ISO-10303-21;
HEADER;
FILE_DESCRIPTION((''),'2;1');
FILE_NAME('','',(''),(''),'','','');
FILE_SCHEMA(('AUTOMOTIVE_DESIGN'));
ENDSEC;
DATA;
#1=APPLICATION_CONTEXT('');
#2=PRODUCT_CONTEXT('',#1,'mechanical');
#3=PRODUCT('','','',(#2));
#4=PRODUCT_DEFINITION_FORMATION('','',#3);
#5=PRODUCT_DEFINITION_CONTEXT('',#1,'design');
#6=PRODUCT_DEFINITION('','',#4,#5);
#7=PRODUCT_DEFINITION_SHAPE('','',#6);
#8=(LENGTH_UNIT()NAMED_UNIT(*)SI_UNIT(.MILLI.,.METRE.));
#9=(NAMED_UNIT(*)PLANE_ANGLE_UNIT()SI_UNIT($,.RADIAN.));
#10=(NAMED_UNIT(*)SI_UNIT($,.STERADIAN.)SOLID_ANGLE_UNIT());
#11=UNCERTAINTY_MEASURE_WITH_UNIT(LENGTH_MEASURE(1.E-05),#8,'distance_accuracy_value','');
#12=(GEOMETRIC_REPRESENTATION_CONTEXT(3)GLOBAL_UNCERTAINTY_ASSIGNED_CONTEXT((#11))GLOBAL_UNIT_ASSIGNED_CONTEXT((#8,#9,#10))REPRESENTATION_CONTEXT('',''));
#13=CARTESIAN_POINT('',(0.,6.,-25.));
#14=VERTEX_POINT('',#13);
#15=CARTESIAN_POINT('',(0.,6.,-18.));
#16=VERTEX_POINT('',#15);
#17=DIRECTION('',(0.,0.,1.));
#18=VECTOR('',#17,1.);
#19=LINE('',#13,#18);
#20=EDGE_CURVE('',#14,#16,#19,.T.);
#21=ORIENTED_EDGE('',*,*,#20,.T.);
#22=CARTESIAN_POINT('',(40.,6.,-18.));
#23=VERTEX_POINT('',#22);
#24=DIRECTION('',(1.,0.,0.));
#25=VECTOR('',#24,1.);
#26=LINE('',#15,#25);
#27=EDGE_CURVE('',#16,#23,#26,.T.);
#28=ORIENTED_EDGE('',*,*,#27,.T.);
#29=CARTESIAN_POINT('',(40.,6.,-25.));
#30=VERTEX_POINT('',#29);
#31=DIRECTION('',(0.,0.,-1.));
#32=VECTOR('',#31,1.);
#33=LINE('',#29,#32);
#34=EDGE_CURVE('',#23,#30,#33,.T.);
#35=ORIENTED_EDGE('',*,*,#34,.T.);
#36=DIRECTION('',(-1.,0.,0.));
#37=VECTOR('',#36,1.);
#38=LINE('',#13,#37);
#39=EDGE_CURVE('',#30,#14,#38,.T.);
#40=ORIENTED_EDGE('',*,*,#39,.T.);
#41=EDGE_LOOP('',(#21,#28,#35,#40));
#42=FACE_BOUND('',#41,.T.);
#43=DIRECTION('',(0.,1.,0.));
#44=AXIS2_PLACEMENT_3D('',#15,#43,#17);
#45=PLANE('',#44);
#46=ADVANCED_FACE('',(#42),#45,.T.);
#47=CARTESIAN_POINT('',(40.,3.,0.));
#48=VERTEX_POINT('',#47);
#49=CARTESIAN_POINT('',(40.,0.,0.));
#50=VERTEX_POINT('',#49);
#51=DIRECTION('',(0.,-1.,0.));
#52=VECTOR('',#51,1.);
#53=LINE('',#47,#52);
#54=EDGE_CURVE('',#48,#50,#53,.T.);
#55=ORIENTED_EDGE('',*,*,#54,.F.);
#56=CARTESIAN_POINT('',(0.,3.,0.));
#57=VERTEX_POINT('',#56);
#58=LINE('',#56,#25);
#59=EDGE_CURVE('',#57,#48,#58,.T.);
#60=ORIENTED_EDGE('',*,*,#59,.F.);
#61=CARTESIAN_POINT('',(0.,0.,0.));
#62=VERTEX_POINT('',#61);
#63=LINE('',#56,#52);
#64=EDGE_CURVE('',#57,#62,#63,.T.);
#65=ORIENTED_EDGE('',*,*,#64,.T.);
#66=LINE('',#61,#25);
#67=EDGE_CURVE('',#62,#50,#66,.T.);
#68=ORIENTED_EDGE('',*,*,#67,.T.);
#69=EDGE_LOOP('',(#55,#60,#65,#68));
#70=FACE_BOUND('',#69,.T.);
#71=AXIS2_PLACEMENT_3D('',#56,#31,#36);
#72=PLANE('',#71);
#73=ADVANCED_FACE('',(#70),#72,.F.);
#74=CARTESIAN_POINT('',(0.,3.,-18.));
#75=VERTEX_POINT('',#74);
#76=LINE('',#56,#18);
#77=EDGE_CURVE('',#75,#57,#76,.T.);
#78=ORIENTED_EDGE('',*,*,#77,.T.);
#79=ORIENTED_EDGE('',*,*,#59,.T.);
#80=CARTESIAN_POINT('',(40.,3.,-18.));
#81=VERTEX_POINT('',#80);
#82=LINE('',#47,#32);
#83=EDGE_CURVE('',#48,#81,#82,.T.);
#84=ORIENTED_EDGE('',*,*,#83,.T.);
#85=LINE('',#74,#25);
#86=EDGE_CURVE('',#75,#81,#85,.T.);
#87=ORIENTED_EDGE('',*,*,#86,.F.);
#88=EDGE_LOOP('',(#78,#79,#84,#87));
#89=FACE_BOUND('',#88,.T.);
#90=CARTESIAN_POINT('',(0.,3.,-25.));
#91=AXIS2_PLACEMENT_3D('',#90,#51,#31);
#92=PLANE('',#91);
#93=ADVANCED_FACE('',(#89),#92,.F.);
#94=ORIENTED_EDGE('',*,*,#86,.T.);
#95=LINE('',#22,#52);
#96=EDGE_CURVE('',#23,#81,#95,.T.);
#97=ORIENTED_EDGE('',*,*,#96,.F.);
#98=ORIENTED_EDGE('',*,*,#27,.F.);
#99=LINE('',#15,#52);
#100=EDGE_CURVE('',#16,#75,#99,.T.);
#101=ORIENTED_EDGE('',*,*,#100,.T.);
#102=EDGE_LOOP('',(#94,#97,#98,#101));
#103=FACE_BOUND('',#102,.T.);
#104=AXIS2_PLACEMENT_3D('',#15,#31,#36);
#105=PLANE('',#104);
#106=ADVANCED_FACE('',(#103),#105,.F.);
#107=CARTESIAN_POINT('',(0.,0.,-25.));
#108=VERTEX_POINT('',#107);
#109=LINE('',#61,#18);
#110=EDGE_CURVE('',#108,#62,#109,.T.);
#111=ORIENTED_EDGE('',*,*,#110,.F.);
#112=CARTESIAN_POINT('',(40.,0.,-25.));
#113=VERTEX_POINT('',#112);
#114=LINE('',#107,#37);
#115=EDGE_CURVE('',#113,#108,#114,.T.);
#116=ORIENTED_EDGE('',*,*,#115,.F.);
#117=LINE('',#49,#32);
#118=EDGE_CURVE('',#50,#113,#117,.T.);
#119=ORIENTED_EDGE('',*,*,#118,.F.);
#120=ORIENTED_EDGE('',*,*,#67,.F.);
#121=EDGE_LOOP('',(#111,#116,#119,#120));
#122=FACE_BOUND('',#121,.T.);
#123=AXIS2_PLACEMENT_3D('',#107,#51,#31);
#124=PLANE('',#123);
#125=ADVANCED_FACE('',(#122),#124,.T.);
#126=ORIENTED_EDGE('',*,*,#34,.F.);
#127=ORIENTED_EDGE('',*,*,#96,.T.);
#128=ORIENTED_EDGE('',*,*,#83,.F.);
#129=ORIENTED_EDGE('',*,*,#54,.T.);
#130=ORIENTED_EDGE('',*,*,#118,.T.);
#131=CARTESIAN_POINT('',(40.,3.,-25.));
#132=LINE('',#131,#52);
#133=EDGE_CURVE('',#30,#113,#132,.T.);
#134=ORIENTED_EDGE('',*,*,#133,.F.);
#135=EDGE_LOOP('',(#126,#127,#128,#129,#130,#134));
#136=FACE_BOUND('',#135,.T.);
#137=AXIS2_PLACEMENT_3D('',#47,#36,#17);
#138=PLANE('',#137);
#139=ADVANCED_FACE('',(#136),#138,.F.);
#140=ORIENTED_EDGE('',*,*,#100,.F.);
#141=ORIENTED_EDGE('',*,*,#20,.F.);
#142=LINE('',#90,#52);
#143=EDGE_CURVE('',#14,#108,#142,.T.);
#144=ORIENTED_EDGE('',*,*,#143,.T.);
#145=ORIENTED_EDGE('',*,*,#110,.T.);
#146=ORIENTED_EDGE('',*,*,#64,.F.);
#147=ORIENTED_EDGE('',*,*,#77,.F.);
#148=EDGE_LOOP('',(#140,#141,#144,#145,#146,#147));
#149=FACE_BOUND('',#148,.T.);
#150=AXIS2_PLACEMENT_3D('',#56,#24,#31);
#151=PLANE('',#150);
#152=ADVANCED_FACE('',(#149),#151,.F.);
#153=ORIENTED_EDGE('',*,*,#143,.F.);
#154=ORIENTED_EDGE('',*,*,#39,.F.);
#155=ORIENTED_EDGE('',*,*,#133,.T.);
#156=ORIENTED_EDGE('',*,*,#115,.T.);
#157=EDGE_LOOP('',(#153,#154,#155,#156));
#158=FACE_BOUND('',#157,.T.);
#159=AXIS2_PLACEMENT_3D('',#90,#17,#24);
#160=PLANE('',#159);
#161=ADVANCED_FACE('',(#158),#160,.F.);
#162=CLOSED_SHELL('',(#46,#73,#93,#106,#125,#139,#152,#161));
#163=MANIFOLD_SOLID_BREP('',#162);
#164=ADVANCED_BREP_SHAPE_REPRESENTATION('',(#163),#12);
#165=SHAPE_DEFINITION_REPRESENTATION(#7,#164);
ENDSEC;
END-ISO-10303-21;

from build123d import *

# Parameters (mm, degrees)
SKETCH1_W           = 40
SKETCH1_H           = 25
BOSS_EXTRUDE1_DEPTH = 3
SKETCH2_W           = 40
SKETCH2_H           = 7
BOSS_EXTRUDE2_DEPTH = 3


with BuildPart() as part:
    # Sketch1 → Boss-Extrude1 (new body)
    with BuildSketch(Plane(origin=(0, 0, 0), x_dir=(1, 0, 0), z_dir=(0, 1, 0))):
        with Locations((20, 12.5)):
            Rectangle(SKETCH1_W, SKETCH1_H)
    extrude(amount=BOSS_EXTRUDE1_DEPTH)

    # Sketch2 → Boss-Extrude2 (add)
    with BuildSketch(Plane(origin=(0, 3, 0), x_dir=(1, 0, 0), z_dir=(0, 1, 0))):
        with Locations((20, 21.5)):
            Rectangle(SKETCH2_W, SKETCH2_H)
    extrude(amount=BOSS_EXTRUDE2_DEPTH)


solid = part.part
